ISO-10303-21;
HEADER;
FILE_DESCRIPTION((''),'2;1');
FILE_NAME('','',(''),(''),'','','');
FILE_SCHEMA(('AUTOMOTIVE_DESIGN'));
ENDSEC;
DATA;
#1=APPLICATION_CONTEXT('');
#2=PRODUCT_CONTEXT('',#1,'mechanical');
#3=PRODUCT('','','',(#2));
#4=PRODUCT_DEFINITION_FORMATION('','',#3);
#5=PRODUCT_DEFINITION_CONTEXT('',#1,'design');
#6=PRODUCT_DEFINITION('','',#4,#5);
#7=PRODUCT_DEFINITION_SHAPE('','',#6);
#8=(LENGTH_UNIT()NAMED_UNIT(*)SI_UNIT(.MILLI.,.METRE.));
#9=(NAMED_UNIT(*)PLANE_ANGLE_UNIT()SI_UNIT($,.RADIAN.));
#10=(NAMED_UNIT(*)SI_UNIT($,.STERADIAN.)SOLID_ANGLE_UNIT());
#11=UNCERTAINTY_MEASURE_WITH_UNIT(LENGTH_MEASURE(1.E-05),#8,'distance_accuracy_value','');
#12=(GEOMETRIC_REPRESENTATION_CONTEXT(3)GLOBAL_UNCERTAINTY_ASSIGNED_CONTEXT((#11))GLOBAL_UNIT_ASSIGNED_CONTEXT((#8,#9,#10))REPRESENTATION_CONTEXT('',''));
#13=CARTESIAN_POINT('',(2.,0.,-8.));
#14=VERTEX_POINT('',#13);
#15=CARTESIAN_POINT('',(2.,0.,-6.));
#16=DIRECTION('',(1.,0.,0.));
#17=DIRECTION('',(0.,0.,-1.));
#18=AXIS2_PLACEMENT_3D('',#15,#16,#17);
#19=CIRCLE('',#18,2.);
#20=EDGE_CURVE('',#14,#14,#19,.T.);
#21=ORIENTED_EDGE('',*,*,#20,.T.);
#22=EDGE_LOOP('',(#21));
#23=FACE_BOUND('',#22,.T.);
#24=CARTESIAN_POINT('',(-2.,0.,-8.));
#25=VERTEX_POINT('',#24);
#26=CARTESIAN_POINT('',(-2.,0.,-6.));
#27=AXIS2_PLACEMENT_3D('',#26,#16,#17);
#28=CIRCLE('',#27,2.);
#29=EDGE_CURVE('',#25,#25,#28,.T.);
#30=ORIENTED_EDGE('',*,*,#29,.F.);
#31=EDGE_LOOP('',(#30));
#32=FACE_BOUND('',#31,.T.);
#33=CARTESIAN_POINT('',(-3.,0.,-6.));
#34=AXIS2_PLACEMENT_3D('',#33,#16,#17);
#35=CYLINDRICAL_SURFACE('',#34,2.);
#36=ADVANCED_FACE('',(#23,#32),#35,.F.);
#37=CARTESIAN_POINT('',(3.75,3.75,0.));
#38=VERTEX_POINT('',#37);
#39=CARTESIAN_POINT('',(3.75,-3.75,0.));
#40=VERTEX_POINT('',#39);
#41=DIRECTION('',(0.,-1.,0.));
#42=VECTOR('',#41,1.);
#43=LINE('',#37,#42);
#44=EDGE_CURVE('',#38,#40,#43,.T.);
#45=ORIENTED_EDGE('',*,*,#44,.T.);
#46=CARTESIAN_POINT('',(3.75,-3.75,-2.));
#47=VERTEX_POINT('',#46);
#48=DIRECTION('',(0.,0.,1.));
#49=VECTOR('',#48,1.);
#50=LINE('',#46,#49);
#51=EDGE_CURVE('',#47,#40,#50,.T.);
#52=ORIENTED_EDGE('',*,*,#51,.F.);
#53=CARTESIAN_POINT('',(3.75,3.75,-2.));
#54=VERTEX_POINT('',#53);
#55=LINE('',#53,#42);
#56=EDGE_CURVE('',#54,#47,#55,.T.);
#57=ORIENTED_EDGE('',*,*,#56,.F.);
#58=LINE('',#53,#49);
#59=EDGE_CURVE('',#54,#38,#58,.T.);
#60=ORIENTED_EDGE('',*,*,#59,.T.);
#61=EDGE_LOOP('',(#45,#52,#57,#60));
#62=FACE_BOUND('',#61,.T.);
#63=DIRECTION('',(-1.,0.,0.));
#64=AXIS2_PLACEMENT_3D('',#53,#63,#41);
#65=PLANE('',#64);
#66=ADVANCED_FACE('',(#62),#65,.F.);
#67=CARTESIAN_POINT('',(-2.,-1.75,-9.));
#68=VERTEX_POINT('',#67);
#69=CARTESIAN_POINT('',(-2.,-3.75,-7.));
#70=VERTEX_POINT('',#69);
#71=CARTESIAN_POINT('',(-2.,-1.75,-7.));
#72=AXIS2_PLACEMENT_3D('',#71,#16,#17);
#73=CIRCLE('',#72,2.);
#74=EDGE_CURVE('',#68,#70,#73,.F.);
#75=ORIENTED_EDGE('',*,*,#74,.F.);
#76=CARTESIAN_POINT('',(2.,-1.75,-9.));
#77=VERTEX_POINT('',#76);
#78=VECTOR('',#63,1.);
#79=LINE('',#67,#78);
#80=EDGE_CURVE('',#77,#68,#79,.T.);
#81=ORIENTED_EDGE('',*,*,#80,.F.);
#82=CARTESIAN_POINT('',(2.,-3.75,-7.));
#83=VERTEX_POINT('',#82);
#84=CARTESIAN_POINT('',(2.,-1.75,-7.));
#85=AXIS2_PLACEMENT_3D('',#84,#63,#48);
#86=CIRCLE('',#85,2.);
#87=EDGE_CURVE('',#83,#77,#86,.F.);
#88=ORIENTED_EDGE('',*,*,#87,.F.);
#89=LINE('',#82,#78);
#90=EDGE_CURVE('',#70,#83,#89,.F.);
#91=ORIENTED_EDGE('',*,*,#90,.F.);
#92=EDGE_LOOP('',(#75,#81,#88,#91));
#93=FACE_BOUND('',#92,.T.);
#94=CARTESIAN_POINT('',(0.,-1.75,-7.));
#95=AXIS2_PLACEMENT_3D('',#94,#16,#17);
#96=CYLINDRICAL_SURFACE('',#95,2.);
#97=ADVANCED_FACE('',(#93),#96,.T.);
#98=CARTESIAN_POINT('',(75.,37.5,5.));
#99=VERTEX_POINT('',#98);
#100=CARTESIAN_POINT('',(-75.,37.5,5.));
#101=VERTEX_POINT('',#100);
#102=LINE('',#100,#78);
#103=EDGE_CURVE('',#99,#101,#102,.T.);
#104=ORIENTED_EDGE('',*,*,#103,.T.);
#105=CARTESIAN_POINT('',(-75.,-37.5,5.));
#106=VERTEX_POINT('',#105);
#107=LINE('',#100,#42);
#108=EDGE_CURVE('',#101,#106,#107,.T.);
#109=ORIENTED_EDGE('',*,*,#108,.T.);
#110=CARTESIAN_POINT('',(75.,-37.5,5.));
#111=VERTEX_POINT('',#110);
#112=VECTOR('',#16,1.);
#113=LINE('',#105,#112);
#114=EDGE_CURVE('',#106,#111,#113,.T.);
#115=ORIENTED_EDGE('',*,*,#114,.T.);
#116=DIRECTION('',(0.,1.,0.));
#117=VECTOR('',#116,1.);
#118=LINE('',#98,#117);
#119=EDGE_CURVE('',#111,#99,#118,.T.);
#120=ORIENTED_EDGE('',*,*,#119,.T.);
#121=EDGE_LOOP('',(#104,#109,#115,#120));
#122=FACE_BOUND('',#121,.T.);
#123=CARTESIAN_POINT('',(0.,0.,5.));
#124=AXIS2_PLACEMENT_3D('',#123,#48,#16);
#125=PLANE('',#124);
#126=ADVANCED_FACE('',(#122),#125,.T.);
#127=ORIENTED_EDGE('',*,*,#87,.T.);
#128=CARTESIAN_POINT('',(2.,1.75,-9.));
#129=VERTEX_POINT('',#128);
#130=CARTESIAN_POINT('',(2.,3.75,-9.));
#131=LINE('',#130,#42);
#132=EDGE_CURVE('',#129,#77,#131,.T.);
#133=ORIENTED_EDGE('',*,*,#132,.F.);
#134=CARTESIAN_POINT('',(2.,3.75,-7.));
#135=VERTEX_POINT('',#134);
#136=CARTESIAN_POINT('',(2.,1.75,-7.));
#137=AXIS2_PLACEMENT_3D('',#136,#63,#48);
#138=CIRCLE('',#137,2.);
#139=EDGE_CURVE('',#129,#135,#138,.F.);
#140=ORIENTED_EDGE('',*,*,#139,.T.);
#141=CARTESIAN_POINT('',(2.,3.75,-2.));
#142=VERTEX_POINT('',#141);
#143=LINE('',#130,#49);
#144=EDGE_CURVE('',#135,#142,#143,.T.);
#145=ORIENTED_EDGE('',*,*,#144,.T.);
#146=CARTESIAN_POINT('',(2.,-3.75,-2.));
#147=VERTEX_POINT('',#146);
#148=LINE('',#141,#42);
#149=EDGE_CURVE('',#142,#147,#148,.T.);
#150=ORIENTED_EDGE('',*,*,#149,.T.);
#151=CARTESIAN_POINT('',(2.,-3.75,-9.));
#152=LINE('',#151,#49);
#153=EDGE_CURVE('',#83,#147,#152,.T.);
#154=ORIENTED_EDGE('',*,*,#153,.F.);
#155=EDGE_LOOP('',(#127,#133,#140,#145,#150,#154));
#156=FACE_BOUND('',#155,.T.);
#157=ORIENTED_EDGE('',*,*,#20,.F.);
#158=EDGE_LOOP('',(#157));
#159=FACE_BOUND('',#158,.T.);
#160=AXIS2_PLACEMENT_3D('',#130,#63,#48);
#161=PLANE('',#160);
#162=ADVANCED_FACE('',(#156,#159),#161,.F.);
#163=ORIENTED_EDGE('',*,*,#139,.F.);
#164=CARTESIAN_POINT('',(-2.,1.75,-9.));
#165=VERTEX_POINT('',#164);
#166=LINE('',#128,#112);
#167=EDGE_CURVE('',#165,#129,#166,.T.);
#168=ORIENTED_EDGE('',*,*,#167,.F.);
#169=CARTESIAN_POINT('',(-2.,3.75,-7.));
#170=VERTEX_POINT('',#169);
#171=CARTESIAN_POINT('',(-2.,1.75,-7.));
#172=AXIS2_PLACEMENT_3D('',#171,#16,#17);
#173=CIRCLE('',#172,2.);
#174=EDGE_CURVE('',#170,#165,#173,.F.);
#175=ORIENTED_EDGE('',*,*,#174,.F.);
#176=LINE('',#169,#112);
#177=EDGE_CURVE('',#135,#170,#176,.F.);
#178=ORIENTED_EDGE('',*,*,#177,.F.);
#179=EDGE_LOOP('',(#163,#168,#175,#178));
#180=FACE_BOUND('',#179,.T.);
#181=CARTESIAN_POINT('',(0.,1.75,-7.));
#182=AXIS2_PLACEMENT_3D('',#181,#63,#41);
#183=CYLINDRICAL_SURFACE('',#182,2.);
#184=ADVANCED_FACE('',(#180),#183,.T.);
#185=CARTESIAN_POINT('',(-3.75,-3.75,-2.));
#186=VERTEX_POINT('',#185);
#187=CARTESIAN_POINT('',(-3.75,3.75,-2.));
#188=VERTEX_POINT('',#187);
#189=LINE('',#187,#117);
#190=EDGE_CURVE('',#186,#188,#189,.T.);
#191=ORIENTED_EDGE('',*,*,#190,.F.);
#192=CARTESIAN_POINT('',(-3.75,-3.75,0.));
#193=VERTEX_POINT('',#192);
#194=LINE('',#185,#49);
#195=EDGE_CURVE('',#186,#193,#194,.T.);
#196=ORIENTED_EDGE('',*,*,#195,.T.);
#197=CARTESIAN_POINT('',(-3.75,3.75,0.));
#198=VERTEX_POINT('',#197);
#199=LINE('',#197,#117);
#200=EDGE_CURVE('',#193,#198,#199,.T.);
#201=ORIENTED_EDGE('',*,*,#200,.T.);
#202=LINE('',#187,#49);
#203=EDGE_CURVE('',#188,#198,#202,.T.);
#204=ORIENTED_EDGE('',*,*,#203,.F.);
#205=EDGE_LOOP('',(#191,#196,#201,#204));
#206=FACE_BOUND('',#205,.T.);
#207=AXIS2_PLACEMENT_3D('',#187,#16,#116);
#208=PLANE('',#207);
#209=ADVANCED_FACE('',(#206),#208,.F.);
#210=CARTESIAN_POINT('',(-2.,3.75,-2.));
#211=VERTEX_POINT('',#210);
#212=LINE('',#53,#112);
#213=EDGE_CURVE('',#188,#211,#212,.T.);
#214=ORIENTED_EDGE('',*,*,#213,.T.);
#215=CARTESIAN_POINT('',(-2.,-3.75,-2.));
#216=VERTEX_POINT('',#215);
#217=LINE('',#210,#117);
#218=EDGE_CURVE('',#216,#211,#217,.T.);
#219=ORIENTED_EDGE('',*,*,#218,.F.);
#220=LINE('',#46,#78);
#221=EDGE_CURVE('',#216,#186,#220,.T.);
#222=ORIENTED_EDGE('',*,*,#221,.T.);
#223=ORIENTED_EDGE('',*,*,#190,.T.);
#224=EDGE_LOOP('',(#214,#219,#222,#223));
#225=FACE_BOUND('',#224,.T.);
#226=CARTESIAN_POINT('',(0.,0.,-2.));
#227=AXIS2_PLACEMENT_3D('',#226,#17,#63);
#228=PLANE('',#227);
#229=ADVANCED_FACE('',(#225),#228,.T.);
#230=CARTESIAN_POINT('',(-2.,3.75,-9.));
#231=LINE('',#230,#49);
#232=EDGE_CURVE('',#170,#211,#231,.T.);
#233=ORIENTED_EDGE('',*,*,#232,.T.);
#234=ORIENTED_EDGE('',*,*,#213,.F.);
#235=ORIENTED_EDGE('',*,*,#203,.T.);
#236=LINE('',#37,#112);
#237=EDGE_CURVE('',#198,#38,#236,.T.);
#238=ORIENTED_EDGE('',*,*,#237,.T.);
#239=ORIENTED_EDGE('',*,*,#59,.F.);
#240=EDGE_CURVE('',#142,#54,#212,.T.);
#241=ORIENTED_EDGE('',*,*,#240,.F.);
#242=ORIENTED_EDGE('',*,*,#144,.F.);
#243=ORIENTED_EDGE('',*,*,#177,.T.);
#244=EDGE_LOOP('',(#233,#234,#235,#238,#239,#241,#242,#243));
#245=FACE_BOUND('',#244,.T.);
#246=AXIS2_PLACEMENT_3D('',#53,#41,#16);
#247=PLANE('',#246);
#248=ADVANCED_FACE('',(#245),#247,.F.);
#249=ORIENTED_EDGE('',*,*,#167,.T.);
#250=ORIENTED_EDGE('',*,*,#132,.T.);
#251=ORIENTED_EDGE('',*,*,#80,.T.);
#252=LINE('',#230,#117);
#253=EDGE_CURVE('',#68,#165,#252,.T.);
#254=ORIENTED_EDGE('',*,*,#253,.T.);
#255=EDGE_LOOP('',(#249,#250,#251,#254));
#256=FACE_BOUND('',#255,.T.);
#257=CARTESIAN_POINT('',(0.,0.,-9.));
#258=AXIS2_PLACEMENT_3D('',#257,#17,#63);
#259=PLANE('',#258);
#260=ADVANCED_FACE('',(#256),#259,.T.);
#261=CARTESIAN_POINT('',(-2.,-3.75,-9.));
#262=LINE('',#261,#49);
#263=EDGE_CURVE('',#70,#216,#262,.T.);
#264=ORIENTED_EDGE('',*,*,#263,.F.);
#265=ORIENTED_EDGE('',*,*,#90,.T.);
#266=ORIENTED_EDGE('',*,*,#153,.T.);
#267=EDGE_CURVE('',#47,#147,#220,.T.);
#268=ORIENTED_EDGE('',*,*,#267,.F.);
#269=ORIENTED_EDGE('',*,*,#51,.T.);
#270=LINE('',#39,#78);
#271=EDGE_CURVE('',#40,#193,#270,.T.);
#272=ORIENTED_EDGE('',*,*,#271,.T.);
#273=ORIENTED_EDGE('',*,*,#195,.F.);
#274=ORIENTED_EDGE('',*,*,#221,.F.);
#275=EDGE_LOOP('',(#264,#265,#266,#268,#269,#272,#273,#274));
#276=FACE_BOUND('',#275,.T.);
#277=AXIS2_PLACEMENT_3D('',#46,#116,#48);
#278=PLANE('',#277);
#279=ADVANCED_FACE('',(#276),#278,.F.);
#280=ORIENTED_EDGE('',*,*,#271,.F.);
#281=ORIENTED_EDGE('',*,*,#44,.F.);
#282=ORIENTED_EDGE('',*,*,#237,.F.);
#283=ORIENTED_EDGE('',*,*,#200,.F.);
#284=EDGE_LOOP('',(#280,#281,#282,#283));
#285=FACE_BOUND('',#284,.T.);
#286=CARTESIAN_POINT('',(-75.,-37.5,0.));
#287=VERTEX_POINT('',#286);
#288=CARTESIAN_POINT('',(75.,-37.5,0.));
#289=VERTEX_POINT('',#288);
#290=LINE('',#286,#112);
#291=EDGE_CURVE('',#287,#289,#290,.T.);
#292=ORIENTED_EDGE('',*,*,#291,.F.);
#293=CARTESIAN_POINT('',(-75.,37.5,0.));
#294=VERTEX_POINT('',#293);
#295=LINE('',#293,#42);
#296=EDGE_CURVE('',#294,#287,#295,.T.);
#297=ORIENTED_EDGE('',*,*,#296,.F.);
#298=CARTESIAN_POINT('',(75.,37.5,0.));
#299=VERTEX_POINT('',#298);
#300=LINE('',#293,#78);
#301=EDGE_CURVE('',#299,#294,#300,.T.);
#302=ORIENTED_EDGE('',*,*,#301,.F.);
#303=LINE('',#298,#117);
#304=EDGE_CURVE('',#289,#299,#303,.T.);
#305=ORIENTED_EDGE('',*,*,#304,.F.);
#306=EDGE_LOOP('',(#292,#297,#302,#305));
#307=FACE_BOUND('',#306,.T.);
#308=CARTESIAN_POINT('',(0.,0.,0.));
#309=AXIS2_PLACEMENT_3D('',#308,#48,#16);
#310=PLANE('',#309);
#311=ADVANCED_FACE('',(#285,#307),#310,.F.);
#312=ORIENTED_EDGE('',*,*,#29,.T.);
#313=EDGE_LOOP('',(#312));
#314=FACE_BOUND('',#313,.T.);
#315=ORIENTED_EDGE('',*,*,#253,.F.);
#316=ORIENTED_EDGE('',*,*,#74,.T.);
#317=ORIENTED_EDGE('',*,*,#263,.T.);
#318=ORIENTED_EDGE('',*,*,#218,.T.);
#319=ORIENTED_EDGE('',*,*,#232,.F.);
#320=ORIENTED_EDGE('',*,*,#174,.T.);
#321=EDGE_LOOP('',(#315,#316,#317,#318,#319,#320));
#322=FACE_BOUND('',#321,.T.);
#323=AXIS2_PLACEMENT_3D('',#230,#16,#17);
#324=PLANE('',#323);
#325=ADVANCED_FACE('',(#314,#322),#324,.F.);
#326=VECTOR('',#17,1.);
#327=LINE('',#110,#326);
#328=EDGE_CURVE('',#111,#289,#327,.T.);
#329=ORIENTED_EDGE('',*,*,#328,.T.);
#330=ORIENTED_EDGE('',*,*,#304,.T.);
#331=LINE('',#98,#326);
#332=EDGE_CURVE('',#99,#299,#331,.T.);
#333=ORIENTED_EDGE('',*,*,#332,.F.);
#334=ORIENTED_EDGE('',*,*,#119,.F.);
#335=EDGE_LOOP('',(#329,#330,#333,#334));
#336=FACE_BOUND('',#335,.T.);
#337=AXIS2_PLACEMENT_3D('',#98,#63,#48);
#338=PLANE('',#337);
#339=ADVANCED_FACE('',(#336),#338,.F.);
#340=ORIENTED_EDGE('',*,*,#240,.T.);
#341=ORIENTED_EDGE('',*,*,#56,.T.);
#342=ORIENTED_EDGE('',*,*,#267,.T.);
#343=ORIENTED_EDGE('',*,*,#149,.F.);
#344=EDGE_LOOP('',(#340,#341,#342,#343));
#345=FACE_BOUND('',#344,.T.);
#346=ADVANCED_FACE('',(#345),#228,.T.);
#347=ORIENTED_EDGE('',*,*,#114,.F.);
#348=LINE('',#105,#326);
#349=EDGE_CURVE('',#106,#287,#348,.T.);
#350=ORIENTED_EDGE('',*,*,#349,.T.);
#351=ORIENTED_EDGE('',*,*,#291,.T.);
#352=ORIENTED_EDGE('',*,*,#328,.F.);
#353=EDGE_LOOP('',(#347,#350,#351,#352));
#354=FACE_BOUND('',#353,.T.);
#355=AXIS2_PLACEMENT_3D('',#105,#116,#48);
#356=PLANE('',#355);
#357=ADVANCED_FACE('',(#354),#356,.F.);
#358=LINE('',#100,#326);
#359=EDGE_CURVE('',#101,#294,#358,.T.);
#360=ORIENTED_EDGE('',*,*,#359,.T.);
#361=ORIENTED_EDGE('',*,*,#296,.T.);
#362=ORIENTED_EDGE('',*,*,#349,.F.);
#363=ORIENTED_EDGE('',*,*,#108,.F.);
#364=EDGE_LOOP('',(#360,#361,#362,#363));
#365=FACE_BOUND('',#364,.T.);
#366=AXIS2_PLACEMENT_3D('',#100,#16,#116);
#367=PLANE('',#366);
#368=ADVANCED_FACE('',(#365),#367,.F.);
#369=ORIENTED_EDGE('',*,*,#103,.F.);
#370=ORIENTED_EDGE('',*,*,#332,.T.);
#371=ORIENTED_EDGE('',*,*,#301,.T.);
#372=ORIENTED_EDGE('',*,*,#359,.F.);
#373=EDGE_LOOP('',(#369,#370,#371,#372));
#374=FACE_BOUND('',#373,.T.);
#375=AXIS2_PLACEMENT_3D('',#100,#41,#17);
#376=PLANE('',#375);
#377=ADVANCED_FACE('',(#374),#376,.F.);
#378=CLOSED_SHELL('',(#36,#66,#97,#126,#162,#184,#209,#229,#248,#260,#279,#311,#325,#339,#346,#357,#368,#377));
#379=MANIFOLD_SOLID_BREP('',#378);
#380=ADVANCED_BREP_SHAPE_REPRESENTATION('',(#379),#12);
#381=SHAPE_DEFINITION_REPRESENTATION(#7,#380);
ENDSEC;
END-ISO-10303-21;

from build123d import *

# Parameters (mm, degrees)
SKETCH1_W           = 150
SKETCH1_H           = 75
BOSS_EXTRUDE1_DEPTH = 5
SKETCH2_W           = 7.5
SKETCH2_H           = 7.5
BOSS_EXTRUDE2_DEPTH = 2
SKETCH3_W           = 4
SKETCH3_H           = 7.5
BOSS_EXTRUDE3_DEPTH = 7
FILLET1_R           = 2
SKETCH6_R           = 2
CUT_EXTRUDE1_DEPTH  = 5


with BuildPart() as part:
    # Sketch1 → Boss-Extrude1 (new body)
    with BuildSketch(Plane.XY):
        Rectangle(SKETCH1_W, SKETCH1_H)
    extrude(amount=BOSS_EXTRUDE1_DEPTH)

    # Sketch2 → Boss-Extrude2 (add)
    with BuildSketch(Plane(origin=(0, 0, 0), x_dir=(-1, 0, 0), z_dir=(0, 0, -1))):
        Rectangle(SKETCH2_W, SKETCH2_H)
    extrude(amount=BOSS_EXTRUDE2_DEPTH)

    # Sketch3 → Boss-Extrude3 (add)
    with BuildSketch(Plane(origin=(0, 0, -2), x_dir=(-1, 0, 0), z_dir=(0, 0, -1))):
        Rectangle(SKETCH3_W, SKETCH3_H)
    extrude(amount=BOSS_EXTRUDE3_DEPTH)

    # Fillet1
    fillet1_edges = [part.edges().sort_by_distance(p)[0] for p in [
        (0, 3.75, -9),
        (0, -3.75, -9),
    ]]
    fillet(fillet1_edges, radius=FILLET1_R)

    # Sketch6 → Cut-Extrude1 (cut)
    with BuildSketch(Plane(origin=(2, 0, 0), x_dir=(0, 0, -1), z_dir=(1, 0, 0))):
        with Locations((6, 0)):
            Circle(SKETCH6_R)
    extrude(amount=-CUT_EXTRUDE1_DEPTH, mode=Mode.SUBTRACT)


solid = part.part
